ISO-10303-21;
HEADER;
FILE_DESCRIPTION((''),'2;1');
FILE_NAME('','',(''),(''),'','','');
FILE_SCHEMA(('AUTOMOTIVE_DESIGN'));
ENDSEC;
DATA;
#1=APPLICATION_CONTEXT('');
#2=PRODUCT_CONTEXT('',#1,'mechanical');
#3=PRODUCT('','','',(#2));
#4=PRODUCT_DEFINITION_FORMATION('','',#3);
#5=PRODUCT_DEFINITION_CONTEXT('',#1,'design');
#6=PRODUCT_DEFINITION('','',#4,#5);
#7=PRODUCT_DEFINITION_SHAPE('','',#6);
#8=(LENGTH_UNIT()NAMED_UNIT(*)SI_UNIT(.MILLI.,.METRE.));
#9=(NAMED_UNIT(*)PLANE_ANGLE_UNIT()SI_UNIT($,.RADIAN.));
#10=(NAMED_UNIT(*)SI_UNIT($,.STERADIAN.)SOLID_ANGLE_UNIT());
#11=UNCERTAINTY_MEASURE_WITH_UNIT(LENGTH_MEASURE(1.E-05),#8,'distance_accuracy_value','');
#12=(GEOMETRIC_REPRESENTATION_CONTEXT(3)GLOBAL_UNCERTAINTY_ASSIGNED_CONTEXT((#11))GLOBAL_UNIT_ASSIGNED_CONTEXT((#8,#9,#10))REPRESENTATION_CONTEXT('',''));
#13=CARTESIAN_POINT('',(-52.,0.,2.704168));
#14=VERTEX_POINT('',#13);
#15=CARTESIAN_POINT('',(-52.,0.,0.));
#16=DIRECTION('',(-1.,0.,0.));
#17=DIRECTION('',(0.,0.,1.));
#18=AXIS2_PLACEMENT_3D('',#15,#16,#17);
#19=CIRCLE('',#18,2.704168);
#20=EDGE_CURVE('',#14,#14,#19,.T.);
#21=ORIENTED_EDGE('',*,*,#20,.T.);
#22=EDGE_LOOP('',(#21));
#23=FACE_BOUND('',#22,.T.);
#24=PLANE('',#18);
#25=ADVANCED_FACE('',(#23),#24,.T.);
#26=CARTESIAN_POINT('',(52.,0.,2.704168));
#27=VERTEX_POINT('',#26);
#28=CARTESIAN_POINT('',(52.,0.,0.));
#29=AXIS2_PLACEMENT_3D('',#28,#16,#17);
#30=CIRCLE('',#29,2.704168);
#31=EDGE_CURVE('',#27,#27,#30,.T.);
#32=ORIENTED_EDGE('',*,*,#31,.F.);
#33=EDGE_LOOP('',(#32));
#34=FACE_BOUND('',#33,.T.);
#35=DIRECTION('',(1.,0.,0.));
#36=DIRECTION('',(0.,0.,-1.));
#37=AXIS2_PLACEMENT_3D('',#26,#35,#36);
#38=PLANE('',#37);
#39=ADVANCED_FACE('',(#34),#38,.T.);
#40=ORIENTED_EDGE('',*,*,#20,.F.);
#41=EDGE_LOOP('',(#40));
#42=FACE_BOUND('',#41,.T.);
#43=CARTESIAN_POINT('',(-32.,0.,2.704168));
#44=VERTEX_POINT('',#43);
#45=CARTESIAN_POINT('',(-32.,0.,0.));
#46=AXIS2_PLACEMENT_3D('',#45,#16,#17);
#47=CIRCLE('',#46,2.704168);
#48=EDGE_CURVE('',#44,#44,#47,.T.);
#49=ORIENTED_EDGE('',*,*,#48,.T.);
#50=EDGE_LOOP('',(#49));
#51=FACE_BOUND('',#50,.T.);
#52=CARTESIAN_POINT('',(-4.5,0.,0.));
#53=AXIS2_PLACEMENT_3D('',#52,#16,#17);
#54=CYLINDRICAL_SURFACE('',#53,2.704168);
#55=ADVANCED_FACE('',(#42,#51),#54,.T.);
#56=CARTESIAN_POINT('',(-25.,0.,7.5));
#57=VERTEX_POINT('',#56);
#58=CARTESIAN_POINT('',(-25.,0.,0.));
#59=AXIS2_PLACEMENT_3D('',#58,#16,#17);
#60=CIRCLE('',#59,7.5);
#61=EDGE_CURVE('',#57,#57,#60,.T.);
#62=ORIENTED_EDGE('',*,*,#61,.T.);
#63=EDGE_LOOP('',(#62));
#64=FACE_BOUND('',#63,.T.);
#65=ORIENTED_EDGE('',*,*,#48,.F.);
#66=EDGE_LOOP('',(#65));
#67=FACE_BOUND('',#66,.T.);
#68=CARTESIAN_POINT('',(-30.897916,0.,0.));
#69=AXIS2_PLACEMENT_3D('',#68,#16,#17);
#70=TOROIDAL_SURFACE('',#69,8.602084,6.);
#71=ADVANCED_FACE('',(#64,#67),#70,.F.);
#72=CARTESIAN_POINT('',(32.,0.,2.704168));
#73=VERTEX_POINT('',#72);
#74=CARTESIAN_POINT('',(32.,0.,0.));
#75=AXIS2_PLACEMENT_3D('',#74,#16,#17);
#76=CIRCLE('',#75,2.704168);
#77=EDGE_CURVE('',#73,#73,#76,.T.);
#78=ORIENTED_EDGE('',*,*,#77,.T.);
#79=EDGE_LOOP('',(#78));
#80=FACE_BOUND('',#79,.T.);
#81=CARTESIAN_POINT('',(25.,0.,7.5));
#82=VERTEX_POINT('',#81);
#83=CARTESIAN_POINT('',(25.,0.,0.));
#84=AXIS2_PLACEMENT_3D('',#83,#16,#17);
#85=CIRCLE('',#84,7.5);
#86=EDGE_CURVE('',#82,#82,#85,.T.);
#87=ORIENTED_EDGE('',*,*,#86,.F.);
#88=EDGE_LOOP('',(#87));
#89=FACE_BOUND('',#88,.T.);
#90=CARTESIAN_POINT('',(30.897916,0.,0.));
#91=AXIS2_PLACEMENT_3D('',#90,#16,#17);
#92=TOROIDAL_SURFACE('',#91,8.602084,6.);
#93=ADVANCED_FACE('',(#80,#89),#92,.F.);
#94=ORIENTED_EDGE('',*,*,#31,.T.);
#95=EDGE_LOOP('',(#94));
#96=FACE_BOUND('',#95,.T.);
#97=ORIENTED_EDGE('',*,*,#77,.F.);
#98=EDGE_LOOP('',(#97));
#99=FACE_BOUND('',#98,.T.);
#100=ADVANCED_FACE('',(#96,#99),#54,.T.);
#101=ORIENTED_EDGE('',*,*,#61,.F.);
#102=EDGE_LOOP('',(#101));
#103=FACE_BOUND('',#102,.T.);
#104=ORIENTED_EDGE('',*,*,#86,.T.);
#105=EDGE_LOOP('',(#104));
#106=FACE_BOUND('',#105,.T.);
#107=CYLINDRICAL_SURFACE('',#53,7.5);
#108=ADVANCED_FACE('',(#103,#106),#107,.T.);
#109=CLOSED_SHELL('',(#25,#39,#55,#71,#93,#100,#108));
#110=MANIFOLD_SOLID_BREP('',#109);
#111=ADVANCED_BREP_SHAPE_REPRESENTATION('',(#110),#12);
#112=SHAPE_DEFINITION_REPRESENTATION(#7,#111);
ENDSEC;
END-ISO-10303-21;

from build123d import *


with BuildPart() as part:
    # Esboço1 → Revolução1 (revolve)
    with BuildSketch(Plane(origin=(0, 0, 0), x_dir=(1, 0, 0), z_dir=(0, 1, 0))):
        with BuildLine():
            Line((-25, -7.5), (25, -7.5))
            ThreePointArc((25, -7.5), (27.50675077, -3.65233677), (32, -2.704168477))
            Line((32, -2.704168477), (52, -2.704168477))
            Line((52, -2.704168477), (52, 0))
            Line((52, 0), (-52, 0))
            Line((-52, 0), (-52, -2.704168477))
            Line((-52, -2.704168477), (-32, -2.704168477))
            ThreePointArc((-32, -2.704168477), (-27.50675077, -3.65233677), (-25, -7.5))
        make_face()
    revolve(axis=Axis((-4.5, 0, 0), (1, 0, 0)))


solid = part.part
